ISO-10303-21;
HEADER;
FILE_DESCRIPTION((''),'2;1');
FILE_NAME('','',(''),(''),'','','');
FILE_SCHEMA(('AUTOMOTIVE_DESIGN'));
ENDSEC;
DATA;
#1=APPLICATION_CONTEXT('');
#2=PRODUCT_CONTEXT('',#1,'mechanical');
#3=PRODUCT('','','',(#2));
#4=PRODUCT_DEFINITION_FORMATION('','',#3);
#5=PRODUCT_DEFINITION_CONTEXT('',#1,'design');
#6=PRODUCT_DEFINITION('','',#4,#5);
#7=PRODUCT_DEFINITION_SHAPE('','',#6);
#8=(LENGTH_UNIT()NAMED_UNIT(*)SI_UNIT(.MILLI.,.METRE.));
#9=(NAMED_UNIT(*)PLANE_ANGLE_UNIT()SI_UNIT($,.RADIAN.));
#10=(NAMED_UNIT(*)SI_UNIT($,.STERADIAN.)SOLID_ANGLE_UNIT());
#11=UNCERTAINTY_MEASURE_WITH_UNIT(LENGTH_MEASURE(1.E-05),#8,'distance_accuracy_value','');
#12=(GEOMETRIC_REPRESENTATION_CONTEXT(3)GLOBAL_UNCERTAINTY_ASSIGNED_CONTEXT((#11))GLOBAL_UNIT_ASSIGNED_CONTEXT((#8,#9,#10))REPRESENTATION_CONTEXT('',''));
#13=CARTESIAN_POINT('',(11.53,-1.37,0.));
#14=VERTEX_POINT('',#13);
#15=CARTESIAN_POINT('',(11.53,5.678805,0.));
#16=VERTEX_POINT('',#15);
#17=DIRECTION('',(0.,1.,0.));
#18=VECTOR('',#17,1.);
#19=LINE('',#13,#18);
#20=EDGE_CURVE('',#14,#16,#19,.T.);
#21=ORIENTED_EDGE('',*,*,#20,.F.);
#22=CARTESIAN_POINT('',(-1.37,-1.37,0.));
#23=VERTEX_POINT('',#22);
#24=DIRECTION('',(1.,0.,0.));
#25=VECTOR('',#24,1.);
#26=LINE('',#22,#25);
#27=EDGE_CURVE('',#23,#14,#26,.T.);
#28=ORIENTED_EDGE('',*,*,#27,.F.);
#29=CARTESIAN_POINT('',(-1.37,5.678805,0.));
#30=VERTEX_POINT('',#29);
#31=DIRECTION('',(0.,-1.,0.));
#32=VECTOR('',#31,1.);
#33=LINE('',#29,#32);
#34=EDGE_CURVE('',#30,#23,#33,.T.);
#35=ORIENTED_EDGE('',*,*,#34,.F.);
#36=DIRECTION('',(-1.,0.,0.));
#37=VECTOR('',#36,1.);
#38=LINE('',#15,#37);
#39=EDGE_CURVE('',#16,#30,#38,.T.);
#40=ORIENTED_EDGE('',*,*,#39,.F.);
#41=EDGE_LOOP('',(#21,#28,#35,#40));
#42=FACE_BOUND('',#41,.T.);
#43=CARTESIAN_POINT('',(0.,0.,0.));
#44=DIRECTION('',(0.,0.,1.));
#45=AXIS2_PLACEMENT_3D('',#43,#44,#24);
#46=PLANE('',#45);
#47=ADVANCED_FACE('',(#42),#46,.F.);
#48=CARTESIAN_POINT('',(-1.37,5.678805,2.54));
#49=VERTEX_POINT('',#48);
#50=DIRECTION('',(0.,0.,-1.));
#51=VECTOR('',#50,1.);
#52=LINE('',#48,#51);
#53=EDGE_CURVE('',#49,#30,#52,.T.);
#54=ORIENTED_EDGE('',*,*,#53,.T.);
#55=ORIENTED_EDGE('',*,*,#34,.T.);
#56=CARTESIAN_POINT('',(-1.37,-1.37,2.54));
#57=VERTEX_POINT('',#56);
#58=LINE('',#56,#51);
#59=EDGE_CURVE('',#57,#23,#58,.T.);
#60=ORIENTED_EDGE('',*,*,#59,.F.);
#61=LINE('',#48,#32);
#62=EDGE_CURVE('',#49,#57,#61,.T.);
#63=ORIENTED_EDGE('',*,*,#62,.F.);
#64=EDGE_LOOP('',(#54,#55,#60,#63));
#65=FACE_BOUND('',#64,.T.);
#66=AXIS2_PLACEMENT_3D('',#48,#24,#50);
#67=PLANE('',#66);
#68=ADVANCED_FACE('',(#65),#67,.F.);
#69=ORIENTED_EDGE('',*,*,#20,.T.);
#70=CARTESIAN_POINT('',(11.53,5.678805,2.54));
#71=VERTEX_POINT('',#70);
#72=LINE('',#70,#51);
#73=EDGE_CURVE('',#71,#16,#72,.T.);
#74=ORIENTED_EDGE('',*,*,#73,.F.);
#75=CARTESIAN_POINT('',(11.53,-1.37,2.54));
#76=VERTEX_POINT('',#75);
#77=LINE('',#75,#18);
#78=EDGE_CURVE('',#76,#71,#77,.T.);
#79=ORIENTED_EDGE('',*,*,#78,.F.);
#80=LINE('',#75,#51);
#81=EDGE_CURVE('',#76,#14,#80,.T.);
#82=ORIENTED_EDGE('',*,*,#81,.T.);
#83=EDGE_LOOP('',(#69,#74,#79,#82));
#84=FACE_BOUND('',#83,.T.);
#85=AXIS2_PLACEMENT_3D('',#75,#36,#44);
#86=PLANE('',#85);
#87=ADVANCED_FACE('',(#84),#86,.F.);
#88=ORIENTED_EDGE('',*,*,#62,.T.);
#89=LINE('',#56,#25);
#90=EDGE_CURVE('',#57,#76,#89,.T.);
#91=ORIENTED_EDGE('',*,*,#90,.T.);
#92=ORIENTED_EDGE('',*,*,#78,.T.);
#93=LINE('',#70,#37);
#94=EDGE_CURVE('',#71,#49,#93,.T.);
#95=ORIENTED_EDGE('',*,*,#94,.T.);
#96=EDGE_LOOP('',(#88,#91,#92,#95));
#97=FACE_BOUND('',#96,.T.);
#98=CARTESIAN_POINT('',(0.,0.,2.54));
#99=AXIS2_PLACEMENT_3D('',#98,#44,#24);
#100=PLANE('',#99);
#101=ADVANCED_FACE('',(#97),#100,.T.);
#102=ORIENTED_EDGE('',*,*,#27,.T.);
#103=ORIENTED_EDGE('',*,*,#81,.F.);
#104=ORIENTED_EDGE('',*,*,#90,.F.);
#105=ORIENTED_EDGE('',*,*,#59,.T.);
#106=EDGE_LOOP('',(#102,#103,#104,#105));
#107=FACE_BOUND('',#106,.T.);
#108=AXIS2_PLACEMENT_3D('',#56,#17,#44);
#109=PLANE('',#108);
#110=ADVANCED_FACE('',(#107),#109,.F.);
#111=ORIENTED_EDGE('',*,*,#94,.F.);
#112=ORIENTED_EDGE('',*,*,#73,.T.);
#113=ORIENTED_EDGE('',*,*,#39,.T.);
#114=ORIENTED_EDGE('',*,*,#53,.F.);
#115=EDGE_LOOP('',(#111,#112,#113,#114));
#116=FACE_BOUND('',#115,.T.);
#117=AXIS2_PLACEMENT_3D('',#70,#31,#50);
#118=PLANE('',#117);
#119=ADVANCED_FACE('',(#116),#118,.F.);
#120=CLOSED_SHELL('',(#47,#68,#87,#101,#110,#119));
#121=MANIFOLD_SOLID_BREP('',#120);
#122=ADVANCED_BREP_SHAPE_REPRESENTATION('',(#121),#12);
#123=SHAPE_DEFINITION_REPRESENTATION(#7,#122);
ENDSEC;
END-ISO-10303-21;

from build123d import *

# Parameters (mm, degrees)
SKETCH1_W               = 12.8999996
SKETCH1_H               = 7.0488048
COMPONENT_OUTLINE_DEPTH = 2.54


with BuildPart() as part:
    # Sketch1 → Component_Outline (new body)
    with BuildSketch(Plane.XY):
        with Locations((5.08, 2.1544026)):
            Rectangle(SKETCH1_W, SKETCH1_H)
    extrude(amount=COMPONENT_OUTLINE_DEPTH)


solid = part.part
